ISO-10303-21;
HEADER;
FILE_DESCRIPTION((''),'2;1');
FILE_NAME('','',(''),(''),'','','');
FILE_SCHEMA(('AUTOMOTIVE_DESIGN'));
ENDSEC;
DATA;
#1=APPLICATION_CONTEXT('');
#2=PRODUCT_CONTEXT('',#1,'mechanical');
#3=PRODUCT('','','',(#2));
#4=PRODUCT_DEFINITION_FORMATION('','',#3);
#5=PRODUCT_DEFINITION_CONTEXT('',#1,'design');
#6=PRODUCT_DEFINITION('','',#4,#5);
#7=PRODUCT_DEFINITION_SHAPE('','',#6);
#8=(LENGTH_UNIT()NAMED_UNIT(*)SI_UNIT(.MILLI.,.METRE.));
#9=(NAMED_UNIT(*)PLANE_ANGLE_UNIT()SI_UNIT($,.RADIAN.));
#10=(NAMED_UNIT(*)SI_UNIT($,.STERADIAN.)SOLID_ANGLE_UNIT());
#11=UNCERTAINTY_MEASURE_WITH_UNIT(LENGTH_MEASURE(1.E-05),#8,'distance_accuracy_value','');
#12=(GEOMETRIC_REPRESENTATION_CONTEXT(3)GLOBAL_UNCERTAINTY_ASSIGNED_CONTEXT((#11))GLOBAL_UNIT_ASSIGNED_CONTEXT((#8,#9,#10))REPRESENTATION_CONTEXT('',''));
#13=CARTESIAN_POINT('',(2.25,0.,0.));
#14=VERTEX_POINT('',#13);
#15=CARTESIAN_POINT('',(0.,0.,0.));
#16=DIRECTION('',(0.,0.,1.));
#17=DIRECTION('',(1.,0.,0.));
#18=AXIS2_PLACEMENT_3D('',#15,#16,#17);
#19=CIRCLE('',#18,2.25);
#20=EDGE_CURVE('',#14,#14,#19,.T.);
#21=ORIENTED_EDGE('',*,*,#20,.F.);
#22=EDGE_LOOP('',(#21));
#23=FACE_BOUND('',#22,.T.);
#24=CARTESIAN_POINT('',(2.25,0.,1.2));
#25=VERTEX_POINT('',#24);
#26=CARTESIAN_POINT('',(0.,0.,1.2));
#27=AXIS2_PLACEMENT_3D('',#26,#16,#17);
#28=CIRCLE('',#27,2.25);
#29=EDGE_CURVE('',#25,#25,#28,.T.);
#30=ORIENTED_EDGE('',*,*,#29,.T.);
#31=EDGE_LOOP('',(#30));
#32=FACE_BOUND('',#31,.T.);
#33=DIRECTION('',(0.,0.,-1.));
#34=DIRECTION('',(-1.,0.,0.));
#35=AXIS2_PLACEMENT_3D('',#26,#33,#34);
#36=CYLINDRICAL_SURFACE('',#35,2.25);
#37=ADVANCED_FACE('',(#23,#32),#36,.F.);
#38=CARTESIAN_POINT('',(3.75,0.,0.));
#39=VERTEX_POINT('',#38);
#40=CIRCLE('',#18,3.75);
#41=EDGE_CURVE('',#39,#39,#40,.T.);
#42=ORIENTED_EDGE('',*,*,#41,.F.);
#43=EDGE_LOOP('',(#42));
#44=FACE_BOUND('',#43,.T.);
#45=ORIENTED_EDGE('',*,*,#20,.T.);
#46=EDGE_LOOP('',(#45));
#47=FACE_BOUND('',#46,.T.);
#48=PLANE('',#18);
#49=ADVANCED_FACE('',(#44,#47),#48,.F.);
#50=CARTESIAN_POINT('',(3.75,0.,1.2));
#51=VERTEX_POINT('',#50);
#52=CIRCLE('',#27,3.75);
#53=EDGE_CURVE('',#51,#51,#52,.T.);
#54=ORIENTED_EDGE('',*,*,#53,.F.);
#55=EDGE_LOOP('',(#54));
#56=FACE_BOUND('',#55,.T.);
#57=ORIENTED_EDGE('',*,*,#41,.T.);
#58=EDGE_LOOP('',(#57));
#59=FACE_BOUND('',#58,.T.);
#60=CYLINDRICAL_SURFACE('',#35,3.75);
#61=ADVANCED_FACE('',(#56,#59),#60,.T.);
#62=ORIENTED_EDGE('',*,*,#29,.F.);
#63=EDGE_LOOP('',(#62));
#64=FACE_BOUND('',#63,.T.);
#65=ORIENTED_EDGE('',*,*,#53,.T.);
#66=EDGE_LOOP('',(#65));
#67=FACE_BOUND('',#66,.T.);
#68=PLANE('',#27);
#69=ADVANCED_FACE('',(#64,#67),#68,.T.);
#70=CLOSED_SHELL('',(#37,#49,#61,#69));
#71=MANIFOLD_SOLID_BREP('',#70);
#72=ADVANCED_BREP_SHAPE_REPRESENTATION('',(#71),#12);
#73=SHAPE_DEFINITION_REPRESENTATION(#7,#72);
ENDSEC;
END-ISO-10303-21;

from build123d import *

# Parameters (mm, degrees)
SKETCH1_R           = 3.75
SKETCH1_R_2         = 2.25
BOSS_EXTRUDE1_DEPTH = 1.2


with BuildPart() as part:
    # Sketch1 → Boss-Extrude1 (new body)
    with BuildSketch(Plane.XY):
        Circle(SKETCH1_R)
        Circle(SKETCH1_R_2, mode=Mode.SUBTRACT)
    extrude(amount=BOSS_EXTRUDE1_DEPTH)


solid = part.part
